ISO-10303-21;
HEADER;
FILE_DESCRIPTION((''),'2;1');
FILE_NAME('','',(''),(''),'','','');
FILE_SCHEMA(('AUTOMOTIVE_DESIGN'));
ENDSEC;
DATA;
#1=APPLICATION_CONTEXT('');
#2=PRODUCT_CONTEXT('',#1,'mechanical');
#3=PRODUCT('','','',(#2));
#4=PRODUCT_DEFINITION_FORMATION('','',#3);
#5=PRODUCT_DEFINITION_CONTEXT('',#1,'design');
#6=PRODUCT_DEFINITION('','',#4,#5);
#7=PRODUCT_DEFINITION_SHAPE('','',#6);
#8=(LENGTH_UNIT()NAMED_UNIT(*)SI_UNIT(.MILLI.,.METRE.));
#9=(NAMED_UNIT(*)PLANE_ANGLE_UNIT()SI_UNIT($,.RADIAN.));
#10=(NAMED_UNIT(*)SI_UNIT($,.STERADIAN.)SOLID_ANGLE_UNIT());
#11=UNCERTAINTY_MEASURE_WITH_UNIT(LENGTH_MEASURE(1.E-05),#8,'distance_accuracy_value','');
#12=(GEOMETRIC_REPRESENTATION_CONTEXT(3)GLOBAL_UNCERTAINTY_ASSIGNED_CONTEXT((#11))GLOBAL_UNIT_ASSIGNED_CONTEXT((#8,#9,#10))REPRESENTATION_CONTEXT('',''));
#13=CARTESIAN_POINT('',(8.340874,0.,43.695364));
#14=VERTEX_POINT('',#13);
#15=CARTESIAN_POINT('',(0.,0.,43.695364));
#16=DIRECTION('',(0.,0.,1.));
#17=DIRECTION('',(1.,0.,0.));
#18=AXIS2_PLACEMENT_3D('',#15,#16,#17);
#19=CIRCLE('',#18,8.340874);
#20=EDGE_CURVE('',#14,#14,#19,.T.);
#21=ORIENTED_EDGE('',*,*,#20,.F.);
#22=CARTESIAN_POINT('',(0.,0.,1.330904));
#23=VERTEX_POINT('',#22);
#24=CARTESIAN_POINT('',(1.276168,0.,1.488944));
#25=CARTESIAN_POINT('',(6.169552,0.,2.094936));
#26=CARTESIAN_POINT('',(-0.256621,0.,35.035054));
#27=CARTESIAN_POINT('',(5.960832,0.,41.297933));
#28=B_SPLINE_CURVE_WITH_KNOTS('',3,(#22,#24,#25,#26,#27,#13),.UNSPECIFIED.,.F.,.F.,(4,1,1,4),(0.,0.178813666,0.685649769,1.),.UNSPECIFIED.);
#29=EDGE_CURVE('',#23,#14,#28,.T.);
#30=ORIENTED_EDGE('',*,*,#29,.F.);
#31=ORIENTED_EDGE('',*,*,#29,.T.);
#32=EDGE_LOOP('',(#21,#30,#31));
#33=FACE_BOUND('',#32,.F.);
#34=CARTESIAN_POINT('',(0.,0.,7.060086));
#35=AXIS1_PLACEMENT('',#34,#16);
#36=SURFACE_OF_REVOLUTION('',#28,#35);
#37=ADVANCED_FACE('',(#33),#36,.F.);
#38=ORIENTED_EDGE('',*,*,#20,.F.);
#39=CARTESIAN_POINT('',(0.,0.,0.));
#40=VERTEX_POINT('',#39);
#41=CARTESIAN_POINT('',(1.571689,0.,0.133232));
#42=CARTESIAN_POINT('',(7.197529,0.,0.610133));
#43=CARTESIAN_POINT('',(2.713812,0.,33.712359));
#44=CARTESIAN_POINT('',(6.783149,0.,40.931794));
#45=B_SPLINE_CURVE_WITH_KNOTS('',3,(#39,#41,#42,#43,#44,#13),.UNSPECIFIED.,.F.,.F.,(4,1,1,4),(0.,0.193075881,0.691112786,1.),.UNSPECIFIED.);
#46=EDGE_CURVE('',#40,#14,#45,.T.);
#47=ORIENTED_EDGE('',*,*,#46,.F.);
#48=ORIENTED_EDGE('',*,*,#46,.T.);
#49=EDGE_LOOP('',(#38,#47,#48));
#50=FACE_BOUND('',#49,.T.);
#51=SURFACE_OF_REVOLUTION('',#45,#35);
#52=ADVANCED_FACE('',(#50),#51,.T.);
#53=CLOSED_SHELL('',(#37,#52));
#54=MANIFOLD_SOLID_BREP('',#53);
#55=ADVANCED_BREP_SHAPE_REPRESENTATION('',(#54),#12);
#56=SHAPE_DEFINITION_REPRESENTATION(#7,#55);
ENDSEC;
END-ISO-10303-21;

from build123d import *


with BuildPart() as f1:
    # F0 (on Front) → F1 (revolve)
    with BuildSketch(Plane.XZ):
        with BuildLine():
            Line((0, 1.3309040805), (0, 0))
            add(Edge.make_bspline(
                [(0, 0), (1.5716885324, 0.133231796), (7.1975286718, 0.6101334023), (2.713811883, 33.712359336), (6.7831485273, 40.9317943129), (8.3408737555, 43.6953641474)],
                knots=[0, 0, 0, 0, 0.1930758809, 0.6911127863, 1, 1, 1, 1], degree=3))
            add(Edge.make_bspline(
                [(0, 1.3309040805), (1.2761675916, 1.4889436218), (6.1695520463, 2.0949363142), (-0.2566206105, 35.0350537518), (5.9608320856, 41.2979331357), (8.3408737555, 43.6953641474)],
                knots=[0, 0, 0, 0, 0.1788136661, 0.6856497686, 1, 1, 1, 1], degree=3))
        make_face()
    revolve(axis=Axis((0, 0, 7.060085889), (0, 0, 1)))


solid = f1.part
